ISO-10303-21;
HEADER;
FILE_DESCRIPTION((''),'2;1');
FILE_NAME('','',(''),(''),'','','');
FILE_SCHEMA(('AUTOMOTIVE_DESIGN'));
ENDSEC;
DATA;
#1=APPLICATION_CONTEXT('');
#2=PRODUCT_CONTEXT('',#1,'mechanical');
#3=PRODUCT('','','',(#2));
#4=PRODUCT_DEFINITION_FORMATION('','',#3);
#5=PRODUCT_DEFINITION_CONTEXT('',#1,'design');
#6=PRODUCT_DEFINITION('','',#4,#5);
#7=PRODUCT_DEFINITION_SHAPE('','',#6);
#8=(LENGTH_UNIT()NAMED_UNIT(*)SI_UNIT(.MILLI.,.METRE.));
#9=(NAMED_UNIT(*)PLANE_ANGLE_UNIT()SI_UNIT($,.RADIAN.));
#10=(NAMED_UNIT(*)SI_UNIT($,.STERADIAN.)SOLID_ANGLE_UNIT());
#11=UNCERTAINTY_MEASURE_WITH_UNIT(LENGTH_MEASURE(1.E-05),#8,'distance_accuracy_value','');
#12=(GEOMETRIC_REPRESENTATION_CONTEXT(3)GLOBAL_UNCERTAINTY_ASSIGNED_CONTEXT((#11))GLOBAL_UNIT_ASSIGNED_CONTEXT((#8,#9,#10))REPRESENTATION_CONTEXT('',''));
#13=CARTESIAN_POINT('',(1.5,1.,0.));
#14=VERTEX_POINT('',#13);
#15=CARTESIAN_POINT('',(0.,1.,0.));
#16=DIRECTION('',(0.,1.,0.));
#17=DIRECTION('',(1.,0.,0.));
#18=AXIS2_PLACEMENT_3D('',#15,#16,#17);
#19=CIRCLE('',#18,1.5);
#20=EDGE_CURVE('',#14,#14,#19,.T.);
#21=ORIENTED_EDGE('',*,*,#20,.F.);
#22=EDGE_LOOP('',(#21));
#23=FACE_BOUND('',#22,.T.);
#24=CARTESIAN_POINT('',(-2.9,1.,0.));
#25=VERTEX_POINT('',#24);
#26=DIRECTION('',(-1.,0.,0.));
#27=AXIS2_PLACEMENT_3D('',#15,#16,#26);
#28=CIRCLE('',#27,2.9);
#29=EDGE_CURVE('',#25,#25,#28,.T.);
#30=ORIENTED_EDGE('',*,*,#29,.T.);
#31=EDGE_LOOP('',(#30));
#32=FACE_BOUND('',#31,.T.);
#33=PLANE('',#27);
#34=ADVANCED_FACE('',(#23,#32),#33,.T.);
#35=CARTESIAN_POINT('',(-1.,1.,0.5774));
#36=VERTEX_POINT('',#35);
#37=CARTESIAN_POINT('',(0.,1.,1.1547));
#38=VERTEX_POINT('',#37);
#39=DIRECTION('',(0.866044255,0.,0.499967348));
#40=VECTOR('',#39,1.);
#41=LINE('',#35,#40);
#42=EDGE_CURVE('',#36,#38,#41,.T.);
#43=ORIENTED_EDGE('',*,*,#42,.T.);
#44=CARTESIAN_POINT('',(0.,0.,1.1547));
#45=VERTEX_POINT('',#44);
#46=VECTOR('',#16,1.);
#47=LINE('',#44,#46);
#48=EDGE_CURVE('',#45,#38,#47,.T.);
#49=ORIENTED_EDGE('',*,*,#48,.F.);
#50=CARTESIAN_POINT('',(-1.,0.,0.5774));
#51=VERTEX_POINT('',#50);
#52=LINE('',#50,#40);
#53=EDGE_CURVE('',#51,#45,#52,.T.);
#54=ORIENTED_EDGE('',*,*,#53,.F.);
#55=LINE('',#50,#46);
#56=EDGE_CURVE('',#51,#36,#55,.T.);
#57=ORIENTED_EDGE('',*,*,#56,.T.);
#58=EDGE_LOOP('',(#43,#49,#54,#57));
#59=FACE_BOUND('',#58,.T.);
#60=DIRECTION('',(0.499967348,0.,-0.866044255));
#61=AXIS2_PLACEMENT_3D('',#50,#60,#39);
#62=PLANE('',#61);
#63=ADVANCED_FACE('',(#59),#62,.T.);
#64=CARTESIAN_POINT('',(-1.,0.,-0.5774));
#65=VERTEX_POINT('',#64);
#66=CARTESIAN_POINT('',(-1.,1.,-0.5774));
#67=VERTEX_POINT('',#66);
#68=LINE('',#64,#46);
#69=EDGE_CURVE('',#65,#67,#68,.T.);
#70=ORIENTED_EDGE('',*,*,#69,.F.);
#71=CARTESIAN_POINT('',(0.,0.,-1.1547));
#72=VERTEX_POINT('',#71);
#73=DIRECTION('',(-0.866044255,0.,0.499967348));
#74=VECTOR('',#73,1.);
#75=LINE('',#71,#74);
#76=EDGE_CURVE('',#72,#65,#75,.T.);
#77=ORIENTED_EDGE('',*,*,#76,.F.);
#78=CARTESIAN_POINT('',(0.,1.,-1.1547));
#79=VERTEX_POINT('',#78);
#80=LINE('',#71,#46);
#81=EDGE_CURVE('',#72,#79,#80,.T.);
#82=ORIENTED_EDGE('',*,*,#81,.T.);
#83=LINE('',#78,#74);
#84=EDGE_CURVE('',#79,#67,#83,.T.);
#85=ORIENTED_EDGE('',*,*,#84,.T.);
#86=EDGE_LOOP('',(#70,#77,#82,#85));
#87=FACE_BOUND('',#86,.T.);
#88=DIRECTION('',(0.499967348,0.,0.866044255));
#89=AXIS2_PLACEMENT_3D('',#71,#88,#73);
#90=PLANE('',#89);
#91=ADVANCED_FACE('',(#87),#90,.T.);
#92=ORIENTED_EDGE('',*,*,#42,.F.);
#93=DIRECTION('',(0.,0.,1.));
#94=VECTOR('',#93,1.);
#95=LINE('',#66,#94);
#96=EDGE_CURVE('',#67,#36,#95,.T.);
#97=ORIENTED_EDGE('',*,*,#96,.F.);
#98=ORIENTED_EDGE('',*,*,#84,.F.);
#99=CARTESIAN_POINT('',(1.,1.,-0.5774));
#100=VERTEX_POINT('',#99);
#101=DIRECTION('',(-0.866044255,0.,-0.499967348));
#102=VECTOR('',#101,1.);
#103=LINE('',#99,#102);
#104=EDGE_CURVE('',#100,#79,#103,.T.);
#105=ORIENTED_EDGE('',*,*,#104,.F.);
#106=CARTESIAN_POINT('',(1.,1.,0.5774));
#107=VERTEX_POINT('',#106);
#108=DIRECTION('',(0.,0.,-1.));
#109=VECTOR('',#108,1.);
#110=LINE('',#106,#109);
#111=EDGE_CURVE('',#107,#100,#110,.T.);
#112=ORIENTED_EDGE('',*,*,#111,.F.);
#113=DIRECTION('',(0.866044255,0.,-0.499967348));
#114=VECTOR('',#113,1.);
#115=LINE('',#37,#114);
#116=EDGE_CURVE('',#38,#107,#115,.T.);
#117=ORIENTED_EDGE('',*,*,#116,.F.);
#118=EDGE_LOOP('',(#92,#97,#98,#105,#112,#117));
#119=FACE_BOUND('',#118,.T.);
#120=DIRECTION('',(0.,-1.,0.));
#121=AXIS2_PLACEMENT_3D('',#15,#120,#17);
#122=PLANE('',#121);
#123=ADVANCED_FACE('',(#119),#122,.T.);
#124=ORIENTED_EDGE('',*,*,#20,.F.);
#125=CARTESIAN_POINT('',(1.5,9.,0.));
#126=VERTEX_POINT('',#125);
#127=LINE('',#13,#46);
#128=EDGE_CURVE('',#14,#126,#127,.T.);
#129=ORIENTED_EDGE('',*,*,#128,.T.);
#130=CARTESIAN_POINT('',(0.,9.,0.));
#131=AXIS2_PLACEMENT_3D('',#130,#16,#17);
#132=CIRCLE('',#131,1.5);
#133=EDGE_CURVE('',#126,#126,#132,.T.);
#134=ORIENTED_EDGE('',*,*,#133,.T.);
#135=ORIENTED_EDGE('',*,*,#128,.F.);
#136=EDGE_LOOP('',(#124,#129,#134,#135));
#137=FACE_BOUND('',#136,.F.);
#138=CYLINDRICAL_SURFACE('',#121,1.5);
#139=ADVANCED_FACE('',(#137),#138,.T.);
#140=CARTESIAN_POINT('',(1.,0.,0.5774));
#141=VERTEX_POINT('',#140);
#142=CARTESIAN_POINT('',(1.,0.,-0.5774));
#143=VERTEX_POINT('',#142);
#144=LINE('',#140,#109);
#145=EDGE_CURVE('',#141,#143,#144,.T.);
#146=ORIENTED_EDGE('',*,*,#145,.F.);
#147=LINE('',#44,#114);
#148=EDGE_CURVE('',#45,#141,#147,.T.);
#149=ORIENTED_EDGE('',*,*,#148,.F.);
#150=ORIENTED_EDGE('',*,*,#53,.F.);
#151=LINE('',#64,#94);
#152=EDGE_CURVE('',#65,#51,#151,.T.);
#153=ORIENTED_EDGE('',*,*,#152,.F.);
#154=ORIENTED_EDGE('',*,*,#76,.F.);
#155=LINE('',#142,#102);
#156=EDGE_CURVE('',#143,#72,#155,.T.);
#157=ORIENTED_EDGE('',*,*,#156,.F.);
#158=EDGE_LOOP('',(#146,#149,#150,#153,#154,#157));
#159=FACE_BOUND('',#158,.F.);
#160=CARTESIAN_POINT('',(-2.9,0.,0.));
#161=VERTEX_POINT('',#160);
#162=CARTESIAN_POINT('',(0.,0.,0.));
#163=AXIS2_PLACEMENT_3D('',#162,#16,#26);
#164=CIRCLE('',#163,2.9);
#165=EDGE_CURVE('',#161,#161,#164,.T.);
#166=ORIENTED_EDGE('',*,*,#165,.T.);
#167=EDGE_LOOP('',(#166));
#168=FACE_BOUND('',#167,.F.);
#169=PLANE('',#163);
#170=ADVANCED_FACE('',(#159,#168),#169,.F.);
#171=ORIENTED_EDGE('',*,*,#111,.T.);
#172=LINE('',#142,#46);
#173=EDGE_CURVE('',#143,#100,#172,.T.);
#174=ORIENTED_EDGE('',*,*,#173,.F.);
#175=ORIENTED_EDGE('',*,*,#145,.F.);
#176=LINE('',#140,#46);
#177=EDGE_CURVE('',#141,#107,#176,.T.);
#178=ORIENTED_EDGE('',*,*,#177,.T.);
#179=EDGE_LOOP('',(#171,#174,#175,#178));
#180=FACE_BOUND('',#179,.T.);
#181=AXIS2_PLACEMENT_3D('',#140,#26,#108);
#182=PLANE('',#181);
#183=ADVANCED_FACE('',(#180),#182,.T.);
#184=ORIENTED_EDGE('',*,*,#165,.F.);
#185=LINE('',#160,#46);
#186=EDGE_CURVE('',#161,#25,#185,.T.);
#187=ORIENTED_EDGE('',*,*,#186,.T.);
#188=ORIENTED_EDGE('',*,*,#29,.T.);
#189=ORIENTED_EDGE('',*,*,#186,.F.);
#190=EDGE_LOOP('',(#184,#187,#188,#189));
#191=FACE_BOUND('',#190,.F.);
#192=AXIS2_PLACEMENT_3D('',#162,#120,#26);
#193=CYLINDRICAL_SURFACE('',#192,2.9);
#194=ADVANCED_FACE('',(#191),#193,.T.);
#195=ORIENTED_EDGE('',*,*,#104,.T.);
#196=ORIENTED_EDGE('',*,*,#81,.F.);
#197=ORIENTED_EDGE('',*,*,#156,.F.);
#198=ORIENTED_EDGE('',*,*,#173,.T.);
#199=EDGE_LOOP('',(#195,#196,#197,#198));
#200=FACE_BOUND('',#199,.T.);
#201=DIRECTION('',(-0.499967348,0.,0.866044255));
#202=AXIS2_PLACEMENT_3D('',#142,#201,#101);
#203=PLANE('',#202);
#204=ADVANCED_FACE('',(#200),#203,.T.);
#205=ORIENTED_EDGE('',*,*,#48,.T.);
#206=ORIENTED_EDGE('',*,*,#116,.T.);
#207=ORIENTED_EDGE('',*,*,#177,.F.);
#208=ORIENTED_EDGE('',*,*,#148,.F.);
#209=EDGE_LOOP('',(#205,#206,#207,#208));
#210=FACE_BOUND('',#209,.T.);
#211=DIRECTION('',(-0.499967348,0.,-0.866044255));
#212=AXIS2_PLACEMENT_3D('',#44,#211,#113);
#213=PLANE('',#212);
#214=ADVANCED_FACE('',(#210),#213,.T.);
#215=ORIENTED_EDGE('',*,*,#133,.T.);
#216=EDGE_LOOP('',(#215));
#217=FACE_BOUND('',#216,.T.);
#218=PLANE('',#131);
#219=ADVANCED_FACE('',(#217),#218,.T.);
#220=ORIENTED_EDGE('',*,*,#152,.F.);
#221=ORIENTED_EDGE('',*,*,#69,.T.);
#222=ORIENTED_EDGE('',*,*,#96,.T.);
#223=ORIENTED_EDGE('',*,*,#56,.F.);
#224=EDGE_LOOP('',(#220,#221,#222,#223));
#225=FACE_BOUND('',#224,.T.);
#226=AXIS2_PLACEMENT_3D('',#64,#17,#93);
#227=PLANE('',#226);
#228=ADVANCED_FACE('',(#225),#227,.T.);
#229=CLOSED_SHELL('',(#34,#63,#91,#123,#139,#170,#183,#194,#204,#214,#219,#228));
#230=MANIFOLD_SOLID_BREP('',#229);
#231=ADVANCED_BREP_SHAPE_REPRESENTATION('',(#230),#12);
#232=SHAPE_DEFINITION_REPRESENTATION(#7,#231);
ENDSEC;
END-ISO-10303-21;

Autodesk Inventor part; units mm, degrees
ref_plane "YZ Plane" through (0, 0, 0) normal (1, 0, 0) x (0, 1, 0)
ref_plane "XZ Plane" through (0, 0, 0) normal (0, 1, 0) x (-1, 0, 0)
ref_plane "XY Plane" through (0, 0, 0) normal (0, 0, 1) x (1, 0, 0)
sketch "Sketch1" plane through (0, 0, 0) normal (0, 1, 0) x (-1, 0, 0)
  circle A0 centre (0, 0) radius 2.9
  dimension "d0" = 5.8
extrude "Extrusion1" add sketch "Sketch1" along normal blind 1
sketch "Sketch2" plane through (0, 1, 0) normal (0, 1, 0) x (1, 0, 0)
  circle A0 centre (0, 0) radius 1.5
  dimension "d3" = 3
extrude "Extrusion2" add sketch "Sketch2" along normal blind 8
sketch "Sketch3" plane through (0, 0, 0) normal (0, -1, 0) x (1, 0, 0)
  line L0 (0, -1.1547) -> (-1, -0.5774)
  line L1 (-1, -0.5774) -> (-1, 0.5774)
  line L2 (-1, 0.5774) -> (0, 1.1547)
  line L3 (0, 1.1547) -> (1, 0.5774)
  line L4 (1, 0.5774) -> (1, -0.5774)
  line L5 (1, -0.5774) -> (0, -1.1547)
  point P0 (0, 0)
  point P1 (0, 0)
  dimension "d6" = 2
extrude "Extrusion3" cut sketch "Sketch3" against normal blind 1
properties part number "m3_bolt_pan_8mm" material "Stainless Steel"
